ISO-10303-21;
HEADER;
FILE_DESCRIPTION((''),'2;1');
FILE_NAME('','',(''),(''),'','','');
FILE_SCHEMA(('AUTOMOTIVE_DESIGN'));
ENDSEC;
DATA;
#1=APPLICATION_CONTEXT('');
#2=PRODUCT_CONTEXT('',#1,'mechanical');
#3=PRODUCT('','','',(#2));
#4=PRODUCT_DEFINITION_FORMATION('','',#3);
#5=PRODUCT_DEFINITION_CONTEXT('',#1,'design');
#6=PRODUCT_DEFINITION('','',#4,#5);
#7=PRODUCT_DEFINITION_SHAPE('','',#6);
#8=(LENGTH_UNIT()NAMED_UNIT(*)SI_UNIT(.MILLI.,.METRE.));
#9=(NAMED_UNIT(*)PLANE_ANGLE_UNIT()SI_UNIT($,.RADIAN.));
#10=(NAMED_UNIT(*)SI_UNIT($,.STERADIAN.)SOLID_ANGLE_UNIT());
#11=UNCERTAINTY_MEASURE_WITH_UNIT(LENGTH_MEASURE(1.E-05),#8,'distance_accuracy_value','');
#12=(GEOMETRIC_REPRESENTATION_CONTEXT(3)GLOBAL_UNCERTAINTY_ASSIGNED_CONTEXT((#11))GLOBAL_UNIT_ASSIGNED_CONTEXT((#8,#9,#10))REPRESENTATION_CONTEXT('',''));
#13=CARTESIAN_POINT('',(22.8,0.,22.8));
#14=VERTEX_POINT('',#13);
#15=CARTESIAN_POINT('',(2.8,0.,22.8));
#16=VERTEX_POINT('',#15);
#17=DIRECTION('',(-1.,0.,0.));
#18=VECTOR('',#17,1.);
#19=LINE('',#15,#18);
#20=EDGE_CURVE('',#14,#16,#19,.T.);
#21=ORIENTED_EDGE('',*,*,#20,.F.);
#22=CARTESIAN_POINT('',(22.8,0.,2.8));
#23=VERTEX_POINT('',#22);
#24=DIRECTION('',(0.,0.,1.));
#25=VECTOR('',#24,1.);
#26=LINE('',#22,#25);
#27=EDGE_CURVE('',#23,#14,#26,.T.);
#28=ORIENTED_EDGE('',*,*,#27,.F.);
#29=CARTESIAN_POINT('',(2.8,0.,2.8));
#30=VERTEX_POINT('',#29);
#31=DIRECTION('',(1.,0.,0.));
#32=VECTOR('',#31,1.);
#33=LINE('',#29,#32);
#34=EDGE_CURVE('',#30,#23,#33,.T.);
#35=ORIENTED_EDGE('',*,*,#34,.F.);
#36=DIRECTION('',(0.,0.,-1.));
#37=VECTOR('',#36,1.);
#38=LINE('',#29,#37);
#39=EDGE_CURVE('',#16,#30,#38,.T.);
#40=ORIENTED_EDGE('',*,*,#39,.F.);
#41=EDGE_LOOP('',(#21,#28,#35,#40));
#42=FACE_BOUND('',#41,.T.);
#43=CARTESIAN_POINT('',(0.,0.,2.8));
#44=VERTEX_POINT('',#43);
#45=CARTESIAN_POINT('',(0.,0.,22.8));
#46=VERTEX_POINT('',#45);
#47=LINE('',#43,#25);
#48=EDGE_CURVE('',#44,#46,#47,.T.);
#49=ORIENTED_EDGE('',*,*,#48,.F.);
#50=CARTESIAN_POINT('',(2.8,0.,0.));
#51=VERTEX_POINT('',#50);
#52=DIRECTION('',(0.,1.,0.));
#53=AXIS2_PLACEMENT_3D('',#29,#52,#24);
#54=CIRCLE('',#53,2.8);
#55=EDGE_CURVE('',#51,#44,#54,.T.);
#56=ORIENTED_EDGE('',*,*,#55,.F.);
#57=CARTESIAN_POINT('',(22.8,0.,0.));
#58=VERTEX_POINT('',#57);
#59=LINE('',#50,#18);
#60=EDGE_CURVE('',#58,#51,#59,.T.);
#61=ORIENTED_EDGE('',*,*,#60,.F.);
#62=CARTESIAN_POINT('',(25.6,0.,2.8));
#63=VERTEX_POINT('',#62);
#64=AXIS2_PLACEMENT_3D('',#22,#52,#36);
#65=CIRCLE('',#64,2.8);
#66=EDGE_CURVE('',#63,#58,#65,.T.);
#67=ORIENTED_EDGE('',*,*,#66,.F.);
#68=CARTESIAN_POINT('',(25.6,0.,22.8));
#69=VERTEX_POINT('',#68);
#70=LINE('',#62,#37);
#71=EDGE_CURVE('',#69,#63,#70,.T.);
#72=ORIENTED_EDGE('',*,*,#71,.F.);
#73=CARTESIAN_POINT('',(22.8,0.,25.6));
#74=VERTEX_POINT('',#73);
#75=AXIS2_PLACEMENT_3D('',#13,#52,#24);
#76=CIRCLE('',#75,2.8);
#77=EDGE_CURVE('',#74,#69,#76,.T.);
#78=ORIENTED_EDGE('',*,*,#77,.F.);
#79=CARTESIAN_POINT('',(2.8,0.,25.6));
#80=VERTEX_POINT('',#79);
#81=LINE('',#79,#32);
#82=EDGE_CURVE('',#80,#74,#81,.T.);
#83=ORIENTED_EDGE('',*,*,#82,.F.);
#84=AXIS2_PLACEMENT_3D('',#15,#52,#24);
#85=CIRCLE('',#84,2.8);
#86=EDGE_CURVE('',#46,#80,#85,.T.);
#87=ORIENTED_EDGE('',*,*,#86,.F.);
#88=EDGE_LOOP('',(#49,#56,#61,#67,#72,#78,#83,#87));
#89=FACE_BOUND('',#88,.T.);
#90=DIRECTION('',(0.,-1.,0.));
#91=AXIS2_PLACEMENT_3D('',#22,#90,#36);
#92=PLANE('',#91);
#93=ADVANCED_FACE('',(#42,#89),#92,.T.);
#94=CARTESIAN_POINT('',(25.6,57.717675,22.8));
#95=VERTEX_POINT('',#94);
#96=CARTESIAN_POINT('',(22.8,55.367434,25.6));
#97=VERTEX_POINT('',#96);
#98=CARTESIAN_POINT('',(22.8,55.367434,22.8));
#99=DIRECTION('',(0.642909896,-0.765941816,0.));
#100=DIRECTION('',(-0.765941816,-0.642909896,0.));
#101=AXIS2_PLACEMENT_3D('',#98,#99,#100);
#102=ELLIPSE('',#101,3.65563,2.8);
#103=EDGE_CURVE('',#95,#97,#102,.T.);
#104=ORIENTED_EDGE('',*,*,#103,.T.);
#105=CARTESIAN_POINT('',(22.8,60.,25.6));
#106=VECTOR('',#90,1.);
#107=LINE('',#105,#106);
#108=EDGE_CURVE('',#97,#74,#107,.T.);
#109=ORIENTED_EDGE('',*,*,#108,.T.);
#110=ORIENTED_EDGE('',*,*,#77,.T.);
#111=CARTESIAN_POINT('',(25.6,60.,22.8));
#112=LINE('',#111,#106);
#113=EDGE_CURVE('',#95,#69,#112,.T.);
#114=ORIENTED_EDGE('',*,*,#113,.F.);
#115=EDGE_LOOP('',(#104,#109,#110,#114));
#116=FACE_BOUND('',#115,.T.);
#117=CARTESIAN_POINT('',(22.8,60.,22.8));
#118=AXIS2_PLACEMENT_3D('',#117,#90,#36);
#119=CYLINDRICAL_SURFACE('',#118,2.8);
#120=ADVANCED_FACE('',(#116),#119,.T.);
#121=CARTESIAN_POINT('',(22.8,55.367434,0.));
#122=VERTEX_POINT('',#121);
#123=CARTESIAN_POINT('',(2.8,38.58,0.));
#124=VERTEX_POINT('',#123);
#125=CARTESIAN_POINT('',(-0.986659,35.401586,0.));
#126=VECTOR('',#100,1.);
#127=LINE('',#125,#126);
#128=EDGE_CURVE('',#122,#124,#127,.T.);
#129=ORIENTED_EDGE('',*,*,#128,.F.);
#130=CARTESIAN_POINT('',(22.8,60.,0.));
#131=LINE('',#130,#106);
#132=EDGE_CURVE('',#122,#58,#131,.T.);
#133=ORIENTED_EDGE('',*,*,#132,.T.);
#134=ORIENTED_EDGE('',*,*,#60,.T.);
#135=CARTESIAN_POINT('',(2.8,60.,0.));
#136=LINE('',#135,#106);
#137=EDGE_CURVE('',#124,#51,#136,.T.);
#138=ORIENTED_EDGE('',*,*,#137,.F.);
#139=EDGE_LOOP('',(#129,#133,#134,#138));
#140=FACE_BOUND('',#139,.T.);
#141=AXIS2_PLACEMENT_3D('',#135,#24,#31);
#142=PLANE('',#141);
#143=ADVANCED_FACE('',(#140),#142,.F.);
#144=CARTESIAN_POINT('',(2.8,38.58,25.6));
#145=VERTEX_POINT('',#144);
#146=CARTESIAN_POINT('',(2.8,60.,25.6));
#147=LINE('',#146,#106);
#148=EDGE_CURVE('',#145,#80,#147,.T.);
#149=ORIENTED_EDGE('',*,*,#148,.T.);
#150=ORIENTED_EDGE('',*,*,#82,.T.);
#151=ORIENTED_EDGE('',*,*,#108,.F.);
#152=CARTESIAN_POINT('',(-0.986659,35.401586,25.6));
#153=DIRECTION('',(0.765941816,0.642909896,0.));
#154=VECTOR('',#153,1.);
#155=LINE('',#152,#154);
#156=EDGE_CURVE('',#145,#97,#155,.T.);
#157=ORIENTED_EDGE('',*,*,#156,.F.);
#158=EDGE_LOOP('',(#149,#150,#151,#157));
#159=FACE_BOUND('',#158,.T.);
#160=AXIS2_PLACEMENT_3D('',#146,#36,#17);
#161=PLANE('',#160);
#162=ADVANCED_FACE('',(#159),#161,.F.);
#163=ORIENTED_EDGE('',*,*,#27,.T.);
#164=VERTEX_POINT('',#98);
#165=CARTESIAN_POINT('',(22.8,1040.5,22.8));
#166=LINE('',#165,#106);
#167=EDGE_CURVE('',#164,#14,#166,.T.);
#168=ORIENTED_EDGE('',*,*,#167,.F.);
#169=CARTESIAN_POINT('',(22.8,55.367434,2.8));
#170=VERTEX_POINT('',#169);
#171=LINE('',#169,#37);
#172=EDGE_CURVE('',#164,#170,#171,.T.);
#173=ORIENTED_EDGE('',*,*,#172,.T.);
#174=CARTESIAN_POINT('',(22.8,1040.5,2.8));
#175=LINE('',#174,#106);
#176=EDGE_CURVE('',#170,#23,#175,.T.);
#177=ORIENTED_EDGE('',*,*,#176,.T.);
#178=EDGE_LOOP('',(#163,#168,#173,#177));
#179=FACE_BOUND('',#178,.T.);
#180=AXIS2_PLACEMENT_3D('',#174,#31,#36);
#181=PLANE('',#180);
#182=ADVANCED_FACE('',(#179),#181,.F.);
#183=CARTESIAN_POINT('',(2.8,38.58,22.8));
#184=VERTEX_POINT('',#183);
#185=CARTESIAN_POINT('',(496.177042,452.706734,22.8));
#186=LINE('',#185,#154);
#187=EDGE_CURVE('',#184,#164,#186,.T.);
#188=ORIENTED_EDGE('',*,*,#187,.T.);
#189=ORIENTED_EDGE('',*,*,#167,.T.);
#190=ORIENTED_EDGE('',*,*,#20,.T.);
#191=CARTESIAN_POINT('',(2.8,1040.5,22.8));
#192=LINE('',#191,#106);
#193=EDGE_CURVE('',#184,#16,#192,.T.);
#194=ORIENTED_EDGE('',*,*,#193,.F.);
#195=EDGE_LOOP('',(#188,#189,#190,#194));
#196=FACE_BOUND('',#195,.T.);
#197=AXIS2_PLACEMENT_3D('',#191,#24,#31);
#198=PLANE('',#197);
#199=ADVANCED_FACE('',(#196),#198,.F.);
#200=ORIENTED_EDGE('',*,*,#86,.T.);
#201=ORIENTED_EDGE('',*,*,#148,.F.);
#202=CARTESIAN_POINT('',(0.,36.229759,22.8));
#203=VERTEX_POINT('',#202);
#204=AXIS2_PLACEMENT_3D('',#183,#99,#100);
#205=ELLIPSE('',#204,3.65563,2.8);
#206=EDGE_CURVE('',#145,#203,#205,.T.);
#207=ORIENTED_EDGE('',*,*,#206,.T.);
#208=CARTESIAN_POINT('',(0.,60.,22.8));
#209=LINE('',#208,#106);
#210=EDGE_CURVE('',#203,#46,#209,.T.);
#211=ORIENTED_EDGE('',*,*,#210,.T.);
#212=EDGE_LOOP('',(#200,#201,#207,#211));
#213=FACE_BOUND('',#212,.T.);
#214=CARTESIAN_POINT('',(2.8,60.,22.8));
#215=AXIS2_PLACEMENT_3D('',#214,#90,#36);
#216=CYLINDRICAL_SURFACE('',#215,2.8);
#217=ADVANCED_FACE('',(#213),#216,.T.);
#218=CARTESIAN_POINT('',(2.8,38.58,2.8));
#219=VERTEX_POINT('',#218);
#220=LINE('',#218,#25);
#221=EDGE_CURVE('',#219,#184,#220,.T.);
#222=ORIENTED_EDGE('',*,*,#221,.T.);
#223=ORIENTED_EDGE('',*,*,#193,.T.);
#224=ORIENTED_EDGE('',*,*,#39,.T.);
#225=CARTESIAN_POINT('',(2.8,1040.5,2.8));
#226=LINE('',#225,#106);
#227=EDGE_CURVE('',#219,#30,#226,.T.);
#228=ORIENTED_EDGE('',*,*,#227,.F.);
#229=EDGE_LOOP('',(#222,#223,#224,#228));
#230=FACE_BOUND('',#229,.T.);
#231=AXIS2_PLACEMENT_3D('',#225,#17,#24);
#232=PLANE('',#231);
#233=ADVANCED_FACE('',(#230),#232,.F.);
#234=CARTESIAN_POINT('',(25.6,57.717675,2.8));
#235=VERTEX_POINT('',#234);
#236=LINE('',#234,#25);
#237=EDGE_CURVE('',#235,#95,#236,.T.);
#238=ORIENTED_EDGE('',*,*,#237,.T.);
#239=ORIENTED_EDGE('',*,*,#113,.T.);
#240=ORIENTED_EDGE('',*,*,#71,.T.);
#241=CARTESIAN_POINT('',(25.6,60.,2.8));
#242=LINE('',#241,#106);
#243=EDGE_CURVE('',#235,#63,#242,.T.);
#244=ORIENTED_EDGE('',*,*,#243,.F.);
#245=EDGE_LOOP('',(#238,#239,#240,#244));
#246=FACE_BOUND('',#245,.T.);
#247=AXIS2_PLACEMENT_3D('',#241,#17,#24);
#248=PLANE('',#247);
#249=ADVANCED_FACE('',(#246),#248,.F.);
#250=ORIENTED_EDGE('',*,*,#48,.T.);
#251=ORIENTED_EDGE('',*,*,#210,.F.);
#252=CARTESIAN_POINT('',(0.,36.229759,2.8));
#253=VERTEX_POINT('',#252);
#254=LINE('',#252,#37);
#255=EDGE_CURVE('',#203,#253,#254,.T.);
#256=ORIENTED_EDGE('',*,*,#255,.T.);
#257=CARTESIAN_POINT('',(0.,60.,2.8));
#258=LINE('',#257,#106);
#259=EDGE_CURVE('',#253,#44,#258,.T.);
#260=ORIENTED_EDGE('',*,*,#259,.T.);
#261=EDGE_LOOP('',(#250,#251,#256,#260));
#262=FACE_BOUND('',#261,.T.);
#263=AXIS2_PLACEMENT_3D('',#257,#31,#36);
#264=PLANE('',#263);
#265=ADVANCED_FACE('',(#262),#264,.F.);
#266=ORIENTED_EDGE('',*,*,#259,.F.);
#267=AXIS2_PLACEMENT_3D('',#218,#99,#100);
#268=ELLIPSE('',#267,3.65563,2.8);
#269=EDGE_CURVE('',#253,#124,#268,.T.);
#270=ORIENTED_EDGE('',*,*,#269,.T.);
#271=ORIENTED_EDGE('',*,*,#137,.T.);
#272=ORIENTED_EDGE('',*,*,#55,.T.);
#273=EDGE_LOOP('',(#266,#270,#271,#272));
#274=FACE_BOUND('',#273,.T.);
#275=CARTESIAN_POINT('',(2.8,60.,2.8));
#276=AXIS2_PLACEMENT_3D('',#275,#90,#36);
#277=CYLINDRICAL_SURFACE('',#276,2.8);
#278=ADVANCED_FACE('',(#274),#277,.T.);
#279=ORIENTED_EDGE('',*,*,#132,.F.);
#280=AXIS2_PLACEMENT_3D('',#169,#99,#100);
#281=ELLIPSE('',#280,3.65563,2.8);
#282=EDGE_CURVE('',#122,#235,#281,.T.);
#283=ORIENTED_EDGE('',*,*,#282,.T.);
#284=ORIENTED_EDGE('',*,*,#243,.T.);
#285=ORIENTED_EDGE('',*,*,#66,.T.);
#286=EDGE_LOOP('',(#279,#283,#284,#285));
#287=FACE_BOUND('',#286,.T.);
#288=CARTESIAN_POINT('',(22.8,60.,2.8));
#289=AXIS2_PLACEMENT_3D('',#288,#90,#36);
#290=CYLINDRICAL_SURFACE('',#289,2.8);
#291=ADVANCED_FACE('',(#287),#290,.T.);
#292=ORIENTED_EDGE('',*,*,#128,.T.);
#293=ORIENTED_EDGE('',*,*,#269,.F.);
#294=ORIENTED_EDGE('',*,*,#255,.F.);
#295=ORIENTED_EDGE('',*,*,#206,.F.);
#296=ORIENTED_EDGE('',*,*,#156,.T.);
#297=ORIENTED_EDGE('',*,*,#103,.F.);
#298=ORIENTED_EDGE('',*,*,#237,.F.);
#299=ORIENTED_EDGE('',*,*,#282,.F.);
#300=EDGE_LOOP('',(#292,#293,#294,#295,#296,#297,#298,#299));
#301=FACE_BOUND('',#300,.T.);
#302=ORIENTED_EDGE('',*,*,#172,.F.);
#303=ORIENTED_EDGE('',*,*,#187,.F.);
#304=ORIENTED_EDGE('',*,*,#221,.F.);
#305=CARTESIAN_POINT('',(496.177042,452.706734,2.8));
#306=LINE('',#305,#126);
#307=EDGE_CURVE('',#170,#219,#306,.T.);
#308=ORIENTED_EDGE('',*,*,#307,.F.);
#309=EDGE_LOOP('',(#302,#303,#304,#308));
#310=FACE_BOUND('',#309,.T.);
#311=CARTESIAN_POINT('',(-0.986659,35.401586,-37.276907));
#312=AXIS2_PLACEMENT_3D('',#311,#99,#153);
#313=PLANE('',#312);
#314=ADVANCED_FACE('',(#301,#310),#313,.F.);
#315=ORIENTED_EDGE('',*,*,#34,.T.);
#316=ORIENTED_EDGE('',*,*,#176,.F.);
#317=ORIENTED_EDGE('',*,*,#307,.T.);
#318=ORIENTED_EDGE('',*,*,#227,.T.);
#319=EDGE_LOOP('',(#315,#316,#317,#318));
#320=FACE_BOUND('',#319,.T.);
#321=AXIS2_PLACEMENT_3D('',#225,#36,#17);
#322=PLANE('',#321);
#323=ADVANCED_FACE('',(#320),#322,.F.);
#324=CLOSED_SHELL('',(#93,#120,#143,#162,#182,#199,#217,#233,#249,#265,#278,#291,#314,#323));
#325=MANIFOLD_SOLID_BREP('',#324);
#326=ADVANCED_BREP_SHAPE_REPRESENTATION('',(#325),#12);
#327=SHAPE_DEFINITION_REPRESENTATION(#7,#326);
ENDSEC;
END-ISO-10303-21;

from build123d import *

# Parameters (mm, degrees)
BOSS_EXTRUDE1_DEPTH = 60
SKETCH3_W           = 20
SKETCH3_H           = 20
CUT_EXTRUDE1_DEPTH  = 1040.5
CUT_EXTRUDE2_REACH  = 72.077


with BuildPart() as part:
    # Sketch1 → Boss-Extrude1 (new body)
    with BuildSketch(Plane(origin=(0, 0, 0), x_dir=(1, 0, 0), z_dir=(0, 1, 0))):
        with BuildLine():
            Line((2.8, 0), (22.8, 0))
            ThreePointArc((22.8, 0), (24.779898987, -0.820101013), (25.6, -2.8))
            Line((25.6, -2.8), (25.6, -22.8))
            ThreePointArc((25.6, -22.8), (24.779898987, -24.779898987), (22.8, -25.6))
            Line((22.8, -25.6), (2.8, -25.6))
            ThreePointArc((2.8, -25.6), (0.820101013, -24.779898987), (0, -22.8))
            Line((0, -22.8), (0, -2.8))
            ThreePointArc((0, -2.8), (0.820101013, -0.820101013), (2.8, 0))
        make_face()
    extrude(amount=BOSS_EXTRUDE1_DEPTH)

    # Sketch3 → Cut-Extrude1 (cut)
    with BuildSketch(Plane(origin=(0, 0, 0), x_dir=(-1, 0, 0), z_dir=(0, -1, 0))):
        with Locations((-12.8, -12.8)):
            Rectangle(SKETCH3_W, SKETCH3_H)
    extrude(amount=-CUT_EXTRUDE1_DEPTH, mode=Mode.SUBTRACT)

    # Cut-Extrude2: up to this face of the body (flat: up to its plane)
    cut_extrude2_end = Plane(part.part.faces().sort_by_distance((12.8, 30, 0))[0])
    # Sketch4 → Cut-Extrude2 (cut, up to the picked face)
    with BuildSketch(Plane.XY.offset(25.6), mode=Mode.PRIVATE) as cut_extrude2_sk1:
        Polygon((-0.986658786, 35.401585719), (-0.986658786, 60), (27.022015216, 60), (27.022015216, 58.911274466), align=None)
    cut_extrude2_tool1 = split(extrude(cut_extrude2_sk1.sketch, amount=-CUT_EXTRUDE2_REACH, mode=Mode.PRIVATE), bisect_by=cut_extrude2_end, keep=Keep.BOTH, mode=Mode.PRIVATE)
    add(cut_extrude2_tool1.solids().sort_by(Axis((8.745273, 51.785147, 25.6), (0, 0, -1)))[0], mode=Mode.SUBTRACT)


solid = part.part
